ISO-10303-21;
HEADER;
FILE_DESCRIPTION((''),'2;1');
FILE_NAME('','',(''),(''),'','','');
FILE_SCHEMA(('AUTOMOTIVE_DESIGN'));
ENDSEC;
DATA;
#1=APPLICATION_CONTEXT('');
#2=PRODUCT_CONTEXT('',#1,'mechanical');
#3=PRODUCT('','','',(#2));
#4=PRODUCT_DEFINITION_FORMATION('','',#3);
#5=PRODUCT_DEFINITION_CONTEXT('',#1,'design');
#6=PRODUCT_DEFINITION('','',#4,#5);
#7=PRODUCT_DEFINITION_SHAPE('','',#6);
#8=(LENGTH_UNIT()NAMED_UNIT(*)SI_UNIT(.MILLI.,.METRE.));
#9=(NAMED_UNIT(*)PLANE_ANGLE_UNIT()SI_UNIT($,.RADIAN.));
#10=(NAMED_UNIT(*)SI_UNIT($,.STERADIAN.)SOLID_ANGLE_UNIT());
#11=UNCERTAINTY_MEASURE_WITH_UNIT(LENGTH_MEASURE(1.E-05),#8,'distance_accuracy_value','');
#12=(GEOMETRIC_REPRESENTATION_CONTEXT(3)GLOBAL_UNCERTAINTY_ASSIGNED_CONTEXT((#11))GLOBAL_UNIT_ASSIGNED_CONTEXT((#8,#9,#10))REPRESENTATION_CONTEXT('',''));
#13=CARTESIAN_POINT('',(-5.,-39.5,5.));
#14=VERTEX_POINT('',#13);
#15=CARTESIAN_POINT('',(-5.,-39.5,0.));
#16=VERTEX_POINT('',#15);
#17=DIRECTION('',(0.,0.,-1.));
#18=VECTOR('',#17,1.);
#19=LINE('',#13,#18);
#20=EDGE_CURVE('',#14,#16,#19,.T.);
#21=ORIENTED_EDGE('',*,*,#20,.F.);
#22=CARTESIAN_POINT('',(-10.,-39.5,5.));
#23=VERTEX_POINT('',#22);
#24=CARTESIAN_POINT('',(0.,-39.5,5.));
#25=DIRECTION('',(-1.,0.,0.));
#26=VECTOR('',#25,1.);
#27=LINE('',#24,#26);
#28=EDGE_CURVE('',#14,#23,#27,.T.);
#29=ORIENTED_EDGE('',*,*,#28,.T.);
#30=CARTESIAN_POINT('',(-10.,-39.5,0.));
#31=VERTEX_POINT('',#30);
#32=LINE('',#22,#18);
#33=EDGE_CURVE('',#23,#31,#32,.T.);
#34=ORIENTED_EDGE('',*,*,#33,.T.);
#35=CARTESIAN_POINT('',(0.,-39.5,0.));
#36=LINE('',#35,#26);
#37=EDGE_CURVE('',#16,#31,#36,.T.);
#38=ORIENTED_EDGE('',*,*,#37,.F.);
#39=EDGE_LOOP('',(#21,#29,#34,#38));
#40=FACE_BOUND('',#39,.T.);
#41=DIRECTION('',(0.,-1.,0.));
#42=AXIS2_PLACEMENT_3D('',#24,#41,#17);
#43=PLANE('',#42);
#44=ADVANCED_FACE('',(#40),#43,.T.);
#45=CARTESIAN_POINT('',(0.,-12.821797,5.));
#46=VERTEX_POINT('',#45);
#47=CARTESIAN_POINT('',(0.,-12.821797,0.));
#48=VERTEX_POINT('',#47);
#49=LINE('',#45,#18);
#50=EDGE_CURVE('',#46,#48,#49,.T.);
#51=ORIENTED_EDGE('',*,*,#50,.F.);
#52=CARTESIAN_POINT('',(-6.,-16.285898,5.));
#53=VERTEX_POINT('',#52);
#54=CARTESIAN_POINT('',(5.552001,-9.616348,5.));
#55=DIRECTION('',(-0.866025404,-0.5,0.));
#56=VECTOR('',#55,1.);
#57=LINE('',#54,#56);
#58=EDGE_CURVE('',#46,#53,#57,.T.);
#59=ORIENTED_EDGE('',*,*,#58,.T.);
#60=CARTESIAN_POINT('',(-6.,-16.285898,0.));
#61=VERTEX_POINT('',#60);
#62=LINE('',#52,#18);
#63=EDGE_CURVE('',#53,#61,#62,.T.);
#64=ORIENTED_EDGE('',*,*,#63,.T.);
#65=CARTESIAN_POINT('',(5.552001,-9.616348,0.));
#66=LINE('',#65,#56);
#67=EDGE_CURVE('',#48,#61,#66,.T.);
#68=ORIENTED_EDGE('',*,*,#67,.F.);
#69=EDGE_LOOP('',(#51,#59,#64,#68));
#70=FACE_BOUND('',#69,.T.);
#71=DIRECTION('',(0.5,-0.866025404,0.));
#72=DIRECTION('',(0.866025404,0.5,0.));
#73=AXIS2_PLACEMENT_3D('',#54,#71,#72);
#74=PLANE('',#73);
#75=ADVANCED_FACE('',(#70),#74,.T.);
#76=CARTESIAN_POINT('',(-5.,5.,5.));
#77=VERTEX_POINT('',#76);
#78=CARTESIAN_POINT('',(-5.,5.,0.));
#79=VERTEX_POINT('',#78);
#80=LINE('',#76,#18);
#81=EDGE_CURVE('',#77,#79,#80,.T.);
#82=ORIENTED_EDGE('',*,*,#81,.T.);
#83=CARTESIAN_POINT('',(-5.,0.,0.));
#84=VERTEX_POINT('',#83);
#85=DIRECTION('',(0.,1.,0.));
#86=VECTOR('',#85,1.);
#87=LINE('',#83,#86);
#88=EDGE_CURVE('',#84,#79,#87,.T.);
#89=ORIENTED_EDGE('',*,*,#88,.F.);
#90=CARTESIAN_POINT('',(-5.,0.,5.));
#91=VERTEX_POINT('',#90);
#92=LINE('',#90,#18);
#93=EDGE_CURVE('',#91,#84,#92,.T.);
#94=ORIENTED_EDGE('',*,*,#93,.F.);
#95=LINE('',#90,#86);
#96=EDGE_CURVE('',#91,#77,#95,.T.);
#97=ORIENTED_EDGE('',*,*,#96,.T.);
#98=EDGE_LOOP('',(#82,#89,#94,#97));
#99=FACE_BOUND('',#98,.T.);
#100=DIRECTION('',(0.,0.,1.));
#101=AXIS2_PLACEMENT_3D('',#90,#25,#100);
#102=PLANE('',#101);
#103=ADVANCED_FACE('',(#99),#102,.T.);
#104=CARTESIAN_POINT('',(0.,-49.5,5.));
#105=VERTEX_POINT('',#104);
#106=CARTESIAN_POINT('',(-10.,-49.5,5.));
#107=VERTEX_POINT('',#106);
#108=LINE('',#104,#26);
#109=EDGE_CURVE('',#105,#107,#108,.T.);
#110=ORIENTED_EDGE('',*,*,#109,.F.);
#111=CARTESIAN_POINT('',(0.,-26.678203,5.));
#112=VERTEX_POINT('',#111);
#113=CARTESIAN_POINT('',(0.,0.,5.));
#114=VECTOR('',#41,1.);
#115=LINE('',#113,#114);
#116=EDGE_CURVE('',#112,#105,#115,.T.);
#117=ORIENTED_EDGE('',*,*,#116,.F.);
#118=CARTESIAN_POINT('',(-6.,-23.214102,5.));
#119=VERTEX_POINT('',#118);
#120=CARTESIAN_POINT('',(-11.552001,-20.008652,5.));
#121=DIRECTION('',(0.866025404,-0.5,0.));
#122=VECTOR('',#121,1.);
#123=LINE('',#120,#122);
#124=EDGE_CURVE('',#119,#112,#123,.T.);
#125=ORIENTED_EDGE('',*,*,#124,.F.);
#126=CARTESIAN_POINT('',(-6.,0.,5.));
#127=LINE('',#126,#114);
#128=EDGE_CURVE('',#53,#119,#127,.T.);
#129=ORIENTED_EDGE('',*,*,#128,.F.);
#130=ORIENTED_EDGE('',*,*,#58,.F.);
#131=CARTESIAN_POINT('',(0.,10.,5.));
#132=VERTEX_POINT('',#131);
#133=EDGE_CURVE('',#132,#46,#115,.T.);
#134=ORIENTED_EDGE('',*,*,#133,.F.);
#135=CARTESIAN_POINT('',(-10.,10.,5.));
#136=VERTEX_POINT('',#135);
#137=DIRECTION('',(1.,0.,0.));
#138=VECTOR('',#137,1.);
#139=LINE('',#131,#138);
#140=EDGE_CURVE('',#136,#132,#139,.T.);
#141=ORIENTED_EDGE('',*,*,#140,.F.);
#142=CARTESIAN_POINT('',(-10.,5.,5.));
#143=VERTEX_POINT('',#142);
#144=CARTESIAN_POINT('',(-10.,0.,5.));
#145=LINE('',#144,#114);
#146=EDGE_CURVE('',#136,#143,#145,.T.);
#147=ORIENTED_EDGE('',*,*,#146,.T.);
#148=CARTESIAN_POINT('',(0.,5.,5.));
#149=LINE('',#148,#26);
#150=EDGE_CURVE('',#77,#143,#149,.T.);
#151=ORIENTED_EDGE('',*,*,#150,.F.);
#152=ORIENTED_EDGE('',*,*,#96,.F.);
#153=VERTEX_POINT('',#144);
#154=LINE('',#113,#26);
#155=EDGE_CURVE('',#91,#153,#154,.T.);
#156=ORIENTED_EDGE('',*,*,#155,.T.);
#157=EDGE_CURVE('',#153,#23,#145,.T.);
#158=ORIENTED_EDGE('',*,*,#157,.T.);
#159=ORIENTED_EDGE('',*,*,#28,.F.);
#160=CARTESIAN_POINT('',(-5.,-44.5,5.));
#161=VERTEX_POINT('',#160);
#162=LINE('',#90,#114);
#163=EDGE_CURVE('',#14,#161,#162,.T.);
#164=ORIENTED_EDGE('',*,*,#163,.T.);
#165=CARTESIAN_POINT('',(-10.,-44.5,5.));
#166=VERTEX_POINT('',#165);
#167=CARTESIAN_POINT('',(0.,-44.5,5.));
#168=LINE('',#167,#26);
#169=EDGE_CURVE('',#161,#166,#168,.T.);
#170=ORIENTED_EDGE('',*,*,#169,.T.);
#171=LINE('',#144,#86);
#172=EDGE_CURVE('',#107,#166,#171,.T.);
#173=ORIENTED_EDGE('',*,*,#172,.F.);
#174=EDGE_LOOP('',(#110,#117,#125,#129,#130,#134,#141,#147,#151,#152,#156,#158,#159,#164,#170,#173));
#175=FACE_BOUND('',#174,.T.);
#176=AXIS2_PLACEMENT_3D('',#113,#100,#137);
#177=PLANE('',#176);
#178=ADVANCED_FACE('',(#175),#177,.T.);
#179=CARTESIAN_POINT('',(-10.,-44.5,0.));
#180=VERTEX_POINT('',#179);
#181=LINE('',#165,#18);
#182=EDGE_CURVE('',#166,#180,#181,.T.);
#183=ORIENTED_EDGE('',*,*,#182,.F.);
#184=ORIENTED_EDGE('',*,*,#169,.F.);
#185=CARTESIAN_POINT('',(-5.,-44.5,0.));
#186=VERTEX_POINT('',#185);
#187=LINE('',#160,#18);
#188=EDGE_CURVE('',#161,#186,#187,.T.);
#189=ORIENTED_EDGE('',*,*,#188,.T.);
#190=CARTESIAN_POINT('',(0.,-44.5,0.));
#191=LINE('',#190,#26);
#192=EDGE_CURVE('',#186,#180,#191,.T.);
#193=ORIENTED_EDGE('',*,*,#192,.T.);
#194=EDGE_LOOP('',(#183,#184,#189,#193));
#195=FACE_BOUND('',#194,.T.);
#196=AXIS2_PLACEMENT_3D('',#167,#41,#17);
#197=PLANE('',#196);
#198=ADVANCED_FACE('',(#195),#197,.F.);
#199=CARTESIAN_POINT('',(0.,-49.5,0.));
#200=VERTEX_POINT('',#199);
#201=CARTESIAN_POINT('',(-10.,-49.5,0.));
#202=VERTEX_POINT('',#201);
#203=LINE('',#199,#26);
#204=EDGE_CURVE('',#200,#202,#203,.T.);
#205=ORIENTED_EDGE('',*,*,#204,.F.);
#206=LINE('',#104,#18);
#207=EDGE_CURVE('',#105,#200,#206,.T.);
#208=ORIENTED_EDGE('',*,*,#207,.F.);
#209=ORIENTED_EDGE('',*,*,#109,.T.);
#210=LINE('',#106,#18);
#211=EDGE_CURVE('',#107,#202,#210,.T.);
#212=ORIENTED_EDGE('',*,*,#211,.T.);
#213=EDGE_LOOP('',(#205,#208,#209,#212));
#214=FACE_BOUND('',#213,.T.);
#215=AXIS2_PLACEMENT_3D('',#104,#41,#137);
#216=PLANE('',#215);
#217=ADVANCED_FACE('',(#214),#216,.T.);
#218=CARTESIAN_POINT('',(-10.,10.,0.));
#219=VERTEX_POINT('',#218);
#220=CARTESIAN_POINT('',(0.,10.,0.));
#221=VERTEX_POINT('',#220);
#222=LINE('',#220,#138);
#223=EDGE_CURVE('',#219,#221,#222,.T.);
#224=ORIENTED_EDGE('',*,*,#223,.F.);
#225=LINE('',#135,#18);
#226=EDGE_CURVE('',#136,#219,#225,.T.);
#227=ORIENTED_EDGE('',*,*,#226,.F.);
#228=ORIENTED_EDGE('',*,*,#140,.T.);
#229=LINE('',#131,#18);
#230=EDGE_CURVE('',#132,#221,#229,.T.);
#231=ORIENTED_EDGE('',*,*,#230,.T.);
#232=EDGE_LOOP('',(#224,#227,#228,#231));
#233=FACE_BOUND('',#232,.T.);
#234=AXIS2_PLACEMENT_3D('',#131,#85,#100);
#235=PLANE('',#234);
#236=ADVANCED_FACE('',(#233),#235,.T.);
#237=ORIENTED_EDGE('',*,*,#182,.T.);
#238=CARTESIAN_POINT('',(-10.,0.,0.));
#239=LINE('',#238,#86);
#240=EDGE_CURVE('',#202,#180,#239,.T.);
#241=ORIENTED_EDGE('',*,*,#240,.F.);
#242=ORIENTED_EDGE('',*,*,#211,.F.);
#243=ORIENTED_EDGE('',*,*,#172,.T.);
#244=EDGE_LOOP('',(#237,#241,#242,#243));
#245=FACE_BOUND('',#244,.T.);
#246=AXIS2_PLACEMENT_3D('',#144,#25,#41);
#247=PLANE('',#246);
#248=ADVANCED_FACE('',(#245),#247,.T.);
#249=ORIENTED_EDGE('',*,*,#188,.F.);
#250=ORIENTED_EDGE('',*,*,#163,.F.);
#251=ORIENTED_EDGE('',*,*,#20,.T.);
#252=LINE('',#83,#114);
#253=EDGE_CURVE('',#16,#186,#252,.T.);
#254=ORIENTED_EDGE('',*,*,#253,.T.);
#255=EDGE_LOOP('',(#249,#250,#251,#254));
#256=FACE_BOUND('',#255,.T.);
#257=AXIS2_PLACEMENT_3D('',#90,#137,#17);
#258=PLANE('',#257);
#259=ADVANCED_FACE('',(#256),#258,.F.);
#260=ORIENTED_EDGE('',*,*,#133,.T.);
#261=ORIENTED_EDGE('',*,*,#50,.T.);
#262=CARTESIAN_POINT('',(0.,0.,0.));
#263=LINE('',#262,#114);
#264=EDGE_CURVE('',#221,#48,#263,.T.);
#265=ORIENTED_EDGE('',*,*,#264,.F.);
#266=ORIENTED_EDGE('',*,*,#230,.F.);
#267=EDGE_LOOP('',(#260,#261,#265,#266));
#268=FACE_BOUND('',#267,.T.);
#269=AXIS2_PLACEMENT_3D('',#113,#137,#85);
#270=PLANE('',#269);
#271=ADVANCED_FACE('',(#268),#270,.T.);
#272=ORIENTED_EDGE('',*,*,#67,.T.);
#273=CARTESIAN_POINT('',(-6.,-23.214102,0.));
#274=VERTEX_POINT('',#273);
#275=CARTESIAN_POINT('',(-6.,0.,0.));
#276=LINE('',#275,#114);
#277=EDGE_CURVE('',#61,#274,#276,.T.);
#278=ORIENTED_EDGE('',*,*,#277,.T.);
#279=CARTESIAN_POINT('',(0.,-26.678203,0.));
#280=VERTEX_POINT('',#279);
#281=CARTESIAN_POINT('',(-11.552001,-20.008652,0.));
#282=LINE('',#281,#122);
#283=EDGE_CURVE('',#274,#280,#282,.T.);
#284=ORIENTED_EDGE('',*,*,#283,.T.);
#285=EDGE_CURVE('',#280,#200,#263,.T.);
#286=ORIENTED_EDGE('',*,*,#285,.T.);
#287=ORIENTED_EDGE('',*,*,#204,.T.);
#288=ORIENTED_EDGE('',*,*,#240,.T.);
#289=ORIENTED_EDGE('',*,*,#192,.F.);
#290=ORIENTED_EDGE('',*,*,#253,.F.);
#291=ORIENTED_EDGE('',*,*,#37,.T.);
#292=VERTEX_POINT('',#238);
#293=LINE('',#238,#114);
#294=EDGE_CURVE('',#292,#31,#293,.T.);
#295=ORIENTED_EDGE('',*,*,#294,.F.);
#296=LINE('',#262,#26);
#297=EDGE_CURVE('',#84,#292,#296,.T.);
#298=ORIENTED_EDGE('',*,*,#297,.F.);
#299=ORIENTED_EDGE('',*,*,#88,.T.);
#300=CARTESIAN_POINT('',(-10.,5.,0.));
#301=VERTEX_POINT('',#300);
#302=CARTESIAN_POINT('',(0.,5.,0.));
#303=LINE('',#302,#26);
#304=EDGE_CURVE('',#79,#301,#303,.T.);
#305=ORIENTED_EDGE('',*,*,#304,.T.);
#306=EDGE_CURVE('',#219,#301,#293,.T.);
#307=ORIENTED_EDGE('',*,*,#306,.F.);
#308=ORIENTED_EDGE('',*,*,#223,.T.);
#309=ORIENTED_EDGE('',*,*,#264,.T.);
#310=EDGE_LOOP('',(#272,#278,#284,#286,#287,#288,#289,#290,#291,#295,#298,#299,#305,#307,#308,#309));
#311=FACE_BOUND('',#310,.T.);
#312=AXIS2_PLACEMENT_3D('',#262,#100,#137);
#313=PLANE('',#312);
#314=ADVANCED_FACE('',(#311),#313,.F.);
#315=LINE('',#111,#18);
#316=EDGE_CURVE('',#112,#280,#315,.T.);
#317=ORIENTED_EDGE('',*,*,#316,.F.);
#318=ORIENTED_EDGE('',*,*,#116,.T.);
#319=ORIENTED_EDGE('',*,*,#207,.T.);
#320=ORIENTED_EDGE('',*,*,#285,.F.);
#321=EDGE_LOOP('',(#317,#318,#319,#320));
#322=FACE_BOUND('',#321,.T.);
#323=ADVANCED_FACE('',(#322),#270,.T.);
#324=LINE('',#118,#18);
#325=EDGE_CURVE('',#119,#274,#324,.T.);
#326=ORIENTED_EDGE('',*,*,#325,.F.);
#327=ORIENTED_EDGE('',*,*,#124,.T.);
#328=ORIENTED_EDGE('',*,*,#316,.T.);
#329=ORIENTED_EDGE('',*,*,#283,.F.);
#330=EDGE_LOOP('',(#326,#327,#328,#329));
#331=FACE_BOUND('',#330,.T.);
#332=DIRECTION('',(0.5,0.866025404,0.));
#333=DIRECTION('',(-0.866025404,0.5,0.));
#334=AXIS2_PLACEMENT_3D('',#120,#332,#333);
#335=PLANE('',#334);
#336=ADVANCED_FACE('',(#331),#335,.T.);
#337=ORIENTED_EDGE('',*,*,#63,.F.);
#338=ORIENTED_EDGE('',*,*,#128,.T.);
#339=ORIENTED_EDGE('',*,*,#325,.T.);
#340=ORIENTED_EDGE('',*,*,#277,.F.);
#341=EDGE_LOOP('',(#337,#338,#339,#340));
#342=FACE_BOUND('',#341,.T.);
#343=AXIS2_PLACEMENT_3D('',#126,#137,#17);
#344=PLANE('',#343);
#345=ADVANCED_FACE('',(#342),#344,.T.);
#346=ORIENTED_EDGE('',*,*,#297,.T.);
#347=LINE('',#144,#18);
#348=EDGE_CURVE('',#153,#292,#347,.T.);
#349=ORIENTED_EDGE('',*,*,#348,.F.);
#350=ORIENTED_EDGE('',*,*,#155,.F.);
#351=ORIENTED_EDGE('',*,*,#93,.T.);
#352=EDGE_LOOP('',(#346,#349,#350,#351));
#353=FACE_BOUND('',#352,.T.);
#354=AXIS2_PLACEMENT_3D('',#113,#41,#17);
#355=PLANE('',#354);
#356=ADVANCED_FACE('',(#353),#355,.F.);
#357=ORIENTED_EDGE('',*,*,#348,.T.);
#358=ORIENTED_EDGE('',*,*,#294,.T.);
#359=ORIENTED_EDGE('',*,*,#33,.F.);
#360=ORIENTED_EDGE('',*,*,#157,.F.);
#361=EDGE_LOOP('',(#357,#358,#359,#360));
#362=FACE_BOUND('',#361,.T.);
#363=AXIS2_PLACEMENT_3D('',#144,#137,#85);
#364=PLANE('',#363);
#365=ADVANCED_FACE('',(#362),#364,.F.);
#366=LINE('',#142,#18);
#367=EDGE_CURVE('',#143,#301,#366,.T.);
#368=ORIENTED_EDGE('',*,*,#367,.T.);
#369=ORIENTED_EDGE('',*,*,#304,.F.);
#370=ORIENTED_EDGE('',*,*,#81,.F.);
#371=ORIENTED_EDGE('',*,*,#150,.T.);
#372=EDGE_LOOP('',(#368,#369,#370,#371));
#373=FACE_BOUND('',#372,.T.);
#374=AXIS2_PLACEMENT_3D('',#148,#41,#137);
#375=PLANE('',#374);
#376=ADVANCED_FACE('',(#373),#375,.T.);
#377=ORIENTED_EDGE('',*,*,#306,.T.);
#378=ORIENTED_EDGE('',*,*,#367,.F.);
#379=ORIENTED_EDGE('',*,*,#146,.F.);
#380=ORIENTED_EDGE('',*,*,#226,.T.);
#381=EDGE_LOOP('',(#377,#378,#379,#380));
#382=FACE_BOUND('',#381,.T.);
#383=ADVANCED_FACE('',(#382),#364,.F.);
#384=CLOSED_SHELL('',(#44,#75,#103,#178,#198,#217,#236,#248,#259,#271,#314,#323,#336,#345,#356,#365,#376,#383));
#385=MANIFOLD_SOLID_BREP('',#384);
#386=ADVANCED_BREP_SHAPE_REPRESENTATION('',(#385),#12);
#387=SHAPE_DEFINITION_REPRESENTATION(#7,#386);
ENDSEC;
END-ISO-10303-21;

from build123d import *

# Parameters (mm, degrees)
BOSS_EXTRUDE1_DEPTH = 5


with BuildPart() as part:
    # Sketch1 → Boss-Extrude1 (new body)
    with BuildSketch(Plane.XY):
        Polygon((0, -12.82179677), (0, 0), (0, 10), (-5, 10), (-10, 10), (-10, 5), (-5, 5), (-5, 0), (-10, 0), (-10, -39.5), (-5, -39.5), (-5, -44.5), (-10, -44.5), (-10, -49.5), (-5, -49.5), (0, -49.5), (0, -39.5), (0, -26.67820323), (-6, -23.214101615), (-6, -16.285898385), align=None)
    extrude(amount=BOSS_EXTRUDE1_DEPTH)


solid = part.part
